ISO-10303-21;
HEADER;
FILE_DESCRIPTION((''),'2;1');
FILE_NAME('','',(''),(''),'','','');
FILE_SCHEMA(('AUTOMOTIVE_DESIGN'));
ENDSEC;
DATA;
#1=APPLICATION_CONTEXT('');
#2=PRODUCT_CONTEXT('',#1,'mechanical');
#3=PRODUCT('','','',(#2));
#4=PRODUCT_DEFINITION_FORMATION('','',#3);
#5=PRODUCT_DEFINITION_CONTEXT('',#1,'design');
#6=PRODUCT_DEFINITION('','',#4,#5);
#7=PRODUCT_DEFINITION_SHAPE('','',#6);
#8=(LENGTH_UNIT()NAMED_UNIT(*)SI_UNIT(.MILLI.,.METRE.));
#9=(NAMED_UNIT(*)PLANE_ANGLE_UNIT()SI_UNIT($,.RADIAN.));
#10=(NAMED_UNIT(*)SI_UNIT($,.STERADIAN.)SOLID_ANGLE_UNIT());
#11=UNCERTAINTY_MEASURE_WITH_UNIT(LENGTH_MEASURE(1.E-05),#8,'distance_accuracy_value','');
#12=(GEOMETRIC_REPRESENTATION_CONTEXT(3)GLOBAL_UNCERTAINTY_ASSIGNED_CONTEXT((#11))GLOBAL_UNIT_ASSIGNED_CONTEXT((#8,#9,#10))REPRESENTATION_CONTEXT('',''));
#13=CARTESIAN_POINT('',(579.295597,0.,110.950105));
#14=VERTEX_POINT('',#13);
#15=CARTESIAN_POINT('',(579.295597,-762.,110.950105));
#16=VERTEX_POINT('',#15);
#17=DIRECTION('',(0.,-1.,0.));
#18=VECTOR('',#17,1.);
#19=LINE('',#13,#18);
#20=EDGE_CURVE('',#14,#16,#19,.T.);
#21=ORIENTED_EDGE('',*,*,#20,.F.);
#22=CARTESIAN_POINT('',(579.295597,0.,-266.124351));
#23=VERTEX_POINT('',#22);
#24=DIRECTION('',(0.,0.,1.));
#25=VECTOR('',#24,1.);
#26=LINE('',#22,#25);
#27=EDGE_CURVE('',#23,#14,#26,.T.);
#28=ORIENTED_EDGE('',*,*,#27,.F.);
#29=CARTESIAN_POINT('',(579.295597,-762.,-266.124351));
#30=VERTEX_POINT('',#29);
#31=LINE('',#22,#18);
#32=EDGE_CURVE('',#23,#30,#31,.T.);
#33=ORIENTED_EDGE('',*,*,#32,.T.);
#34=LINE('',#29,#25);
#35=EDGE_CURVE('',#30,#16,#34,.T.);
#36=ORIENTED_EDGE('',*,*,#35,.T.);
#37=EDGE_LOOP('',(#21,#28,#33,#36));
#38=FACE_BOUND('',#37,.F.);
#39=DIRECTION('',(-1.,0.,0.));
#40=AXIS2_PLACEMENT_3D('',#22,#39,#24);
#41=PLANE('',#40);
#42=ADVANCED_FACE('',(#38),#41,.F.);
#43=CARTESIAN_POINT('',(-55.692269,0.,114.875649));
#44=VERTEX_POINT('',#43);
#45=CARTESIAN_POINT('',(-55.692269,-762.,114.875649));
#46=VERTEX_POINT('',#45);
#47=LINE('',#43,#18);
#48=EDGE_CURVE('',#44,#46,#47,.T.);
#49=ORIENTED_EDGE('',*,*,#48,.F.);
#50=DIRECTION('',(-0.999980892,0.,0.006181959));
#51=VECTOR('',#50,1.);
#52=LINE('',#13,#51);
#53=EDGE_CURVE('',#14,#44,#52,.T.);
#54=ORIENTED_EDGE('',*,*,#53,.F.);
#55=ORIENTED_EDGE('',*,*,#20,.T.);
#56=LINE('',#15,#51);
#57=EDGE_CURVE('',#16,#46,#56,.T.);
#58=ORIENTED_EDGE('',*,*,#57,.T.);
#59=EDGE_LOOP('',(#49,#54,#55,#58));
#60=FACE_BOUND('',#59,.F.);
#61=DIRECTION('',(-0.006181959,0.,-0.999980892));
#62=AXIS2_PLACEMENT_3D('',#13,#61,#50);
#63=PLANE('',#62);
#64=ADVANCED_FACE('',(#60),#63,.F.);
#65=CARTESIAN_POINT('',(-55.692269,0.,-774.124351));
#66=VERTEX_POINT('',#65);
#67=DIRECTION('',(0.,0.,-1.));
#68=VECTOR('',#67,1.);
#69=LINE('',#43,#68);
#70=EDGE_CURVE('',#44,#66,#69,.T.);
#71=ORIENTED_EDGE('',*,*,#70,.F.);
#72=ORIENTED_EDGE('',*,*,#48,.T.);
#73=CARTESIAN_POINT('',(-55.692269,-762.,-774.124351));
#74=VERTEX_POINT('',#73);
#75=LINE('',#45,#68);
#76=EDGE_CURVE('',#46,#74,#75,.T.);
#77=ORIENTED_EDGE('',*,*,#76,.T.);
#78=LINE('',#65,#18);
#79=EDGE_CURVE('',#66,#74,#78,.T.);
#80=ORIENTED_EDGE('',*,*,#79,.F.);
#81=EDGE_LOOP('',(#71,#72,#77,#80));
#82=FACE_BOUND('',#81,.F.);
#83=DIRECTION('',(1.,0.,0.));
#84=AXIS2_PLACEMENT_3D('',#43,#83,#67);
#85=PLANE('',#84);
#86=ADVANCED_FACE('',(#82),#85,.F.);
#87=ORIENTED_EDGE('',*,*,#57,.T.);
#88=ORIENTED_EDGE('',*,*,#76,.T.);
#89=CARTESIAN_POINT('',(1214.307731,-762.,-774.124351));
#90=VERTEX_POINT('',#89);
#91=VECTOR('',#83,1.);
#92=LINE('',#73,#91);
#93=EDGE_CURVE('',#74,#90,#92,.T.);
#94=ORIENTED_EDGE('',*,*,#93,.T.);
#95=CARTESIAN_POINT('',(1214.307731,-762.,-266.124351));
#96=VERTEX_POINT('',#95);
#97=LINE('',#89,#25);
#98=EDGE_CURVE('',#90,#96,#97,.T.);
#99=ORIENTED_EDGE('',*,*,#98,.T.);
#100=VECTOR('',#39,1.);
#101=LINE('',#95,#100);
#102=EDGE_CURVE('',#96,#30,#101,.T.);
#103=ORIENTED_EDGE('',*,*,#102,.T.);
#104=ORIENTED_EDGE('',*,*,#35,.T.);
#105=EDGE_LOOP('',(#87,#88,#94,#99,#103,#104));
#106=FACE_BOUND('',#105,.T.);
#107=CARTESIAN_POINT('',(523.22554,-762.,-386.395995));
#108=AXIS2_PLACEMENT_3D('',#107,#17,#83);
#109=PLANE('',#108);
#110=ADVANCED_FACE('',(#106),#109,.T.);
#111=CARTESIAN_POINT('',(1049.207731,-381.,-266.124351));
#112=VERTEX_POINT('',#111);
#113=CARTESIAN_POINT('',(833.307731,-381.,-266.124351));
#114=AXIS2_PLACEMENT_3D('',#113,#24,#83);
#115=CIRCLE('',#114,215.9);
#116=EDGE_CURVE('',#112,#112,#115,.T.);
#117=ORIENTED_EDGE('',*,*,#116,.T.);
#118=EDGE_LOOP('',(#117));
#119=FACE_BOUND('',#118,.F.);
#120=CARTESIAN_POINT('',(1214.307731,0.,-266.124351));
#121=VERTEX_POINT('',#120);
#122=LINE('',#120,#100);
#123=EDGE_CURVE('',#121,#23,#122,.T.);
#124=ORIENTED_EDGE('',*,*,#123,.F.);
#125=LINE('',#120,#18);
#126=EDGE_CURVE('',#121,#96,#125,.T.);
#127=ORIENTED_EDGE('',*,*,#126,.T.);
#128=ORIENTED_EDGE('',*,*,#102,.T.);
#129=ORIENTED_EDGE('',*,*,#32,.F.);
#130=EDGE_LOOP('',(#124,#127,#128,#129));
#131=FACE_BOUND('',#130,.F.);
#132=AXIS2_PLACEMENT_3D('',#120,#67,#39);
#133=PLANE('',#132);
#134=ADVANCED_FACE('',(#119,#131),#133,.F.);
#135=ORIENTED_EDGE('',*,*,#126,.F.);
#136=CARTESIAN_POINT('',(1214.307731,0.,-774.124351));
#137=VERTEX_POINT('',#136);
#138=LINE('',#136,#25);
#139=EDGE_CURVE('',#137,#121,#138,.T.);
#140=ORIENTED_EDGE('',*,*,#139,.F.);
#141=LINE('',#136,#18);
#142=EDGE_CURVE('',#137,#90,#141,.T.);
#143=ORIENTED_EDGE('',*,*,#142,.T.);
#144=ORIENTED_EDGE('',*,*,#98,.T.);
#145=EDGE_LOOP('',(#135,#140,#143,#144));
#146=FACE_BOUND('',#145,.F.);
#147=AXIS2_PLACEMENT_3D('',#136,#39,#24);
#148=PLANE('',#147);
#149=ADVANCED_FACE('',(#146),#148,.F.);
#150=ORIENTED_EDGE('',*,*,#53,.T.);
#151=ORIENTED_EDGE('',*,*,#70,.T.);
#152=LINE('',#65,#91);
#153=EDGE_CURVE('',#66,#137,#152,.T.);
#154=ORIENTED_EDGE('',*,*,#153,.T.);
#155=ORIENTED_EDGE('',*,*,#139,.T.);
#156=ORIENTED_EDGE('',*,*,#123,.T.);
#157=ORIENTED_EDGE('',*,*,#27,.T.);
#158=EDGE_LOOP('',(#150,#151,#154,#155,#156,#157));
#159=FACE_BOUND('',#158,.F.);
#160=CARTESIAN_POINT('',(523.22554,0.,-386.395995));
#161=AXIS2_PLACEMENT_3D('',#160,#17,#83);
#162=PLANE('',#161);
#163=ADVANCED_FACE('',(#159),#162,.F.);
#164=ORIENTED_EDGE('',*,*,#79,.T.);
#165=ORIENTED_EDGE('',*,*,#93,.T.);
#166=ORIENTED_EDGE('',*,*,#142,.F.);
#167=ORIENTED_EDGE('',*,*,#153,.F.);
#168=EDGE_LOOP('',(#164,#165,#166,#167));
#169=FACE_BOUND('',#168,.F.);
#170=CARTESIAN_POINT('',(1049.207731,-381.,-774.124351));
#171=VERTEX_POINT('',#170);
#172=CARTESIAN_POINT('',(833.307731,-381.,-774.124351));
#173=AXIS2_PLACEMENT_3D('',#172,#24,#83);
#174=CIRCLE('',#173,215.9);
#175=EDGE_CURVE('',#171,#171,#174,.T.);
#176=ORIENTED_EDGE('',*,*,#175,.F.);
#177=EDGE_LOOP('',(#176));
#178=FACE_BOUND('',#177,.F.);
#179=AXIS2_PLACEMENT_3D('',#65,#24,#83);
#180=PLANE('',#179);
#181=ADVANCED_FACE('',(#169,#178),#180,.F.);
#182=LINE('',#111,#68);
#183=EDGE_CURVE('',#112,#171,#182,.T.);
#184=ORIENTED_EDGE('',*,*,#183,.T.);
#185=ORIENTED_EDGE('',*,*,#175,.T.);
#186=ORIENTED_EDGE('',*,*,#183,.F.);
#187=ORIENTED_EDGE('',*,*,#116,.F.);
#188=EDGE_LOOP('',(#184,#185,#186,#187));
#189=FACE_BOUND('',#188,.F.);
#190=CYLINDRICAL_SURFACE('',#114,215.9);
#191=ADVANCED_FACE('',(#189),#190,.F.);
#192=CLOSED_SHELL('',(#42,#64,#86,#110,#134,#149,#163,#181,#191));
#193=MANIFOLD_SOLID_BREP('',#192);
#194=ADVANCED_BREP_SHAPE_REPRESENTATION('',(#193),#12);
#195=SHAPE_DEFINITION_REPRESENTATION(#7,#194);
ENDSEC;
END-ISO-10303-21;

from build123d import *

# Parameters (mm, degrees)
F1_DEPTH = 762
F2_R     = 215.9
F3_DEPTH = 508.001


with BuildPart() as f1:
    # F0 (on Front) → F1 (new body)
    with BuildSketch(Plane.XZ):
        Polygon((579.295597, 110.950105), (-55.692269, 114.875649), (-55.692269, -774.124351), (1214.307731, -774.124351), (1214.307731, -266.124351), (579.295597, -266.124351), align=None)
    extrude(amount=F1_DEPTH)

    # F2 (on face) → F3 (cut, through all)
    with BuildSketch(Plane.XY.offset(-266.124351)):
        with Locations((833.307731, -381)):
            Circle(F2_R)
    extrude(amount=-F3_DEPTH, mode=Mode.SUBTRACT)


solid = f1.part
